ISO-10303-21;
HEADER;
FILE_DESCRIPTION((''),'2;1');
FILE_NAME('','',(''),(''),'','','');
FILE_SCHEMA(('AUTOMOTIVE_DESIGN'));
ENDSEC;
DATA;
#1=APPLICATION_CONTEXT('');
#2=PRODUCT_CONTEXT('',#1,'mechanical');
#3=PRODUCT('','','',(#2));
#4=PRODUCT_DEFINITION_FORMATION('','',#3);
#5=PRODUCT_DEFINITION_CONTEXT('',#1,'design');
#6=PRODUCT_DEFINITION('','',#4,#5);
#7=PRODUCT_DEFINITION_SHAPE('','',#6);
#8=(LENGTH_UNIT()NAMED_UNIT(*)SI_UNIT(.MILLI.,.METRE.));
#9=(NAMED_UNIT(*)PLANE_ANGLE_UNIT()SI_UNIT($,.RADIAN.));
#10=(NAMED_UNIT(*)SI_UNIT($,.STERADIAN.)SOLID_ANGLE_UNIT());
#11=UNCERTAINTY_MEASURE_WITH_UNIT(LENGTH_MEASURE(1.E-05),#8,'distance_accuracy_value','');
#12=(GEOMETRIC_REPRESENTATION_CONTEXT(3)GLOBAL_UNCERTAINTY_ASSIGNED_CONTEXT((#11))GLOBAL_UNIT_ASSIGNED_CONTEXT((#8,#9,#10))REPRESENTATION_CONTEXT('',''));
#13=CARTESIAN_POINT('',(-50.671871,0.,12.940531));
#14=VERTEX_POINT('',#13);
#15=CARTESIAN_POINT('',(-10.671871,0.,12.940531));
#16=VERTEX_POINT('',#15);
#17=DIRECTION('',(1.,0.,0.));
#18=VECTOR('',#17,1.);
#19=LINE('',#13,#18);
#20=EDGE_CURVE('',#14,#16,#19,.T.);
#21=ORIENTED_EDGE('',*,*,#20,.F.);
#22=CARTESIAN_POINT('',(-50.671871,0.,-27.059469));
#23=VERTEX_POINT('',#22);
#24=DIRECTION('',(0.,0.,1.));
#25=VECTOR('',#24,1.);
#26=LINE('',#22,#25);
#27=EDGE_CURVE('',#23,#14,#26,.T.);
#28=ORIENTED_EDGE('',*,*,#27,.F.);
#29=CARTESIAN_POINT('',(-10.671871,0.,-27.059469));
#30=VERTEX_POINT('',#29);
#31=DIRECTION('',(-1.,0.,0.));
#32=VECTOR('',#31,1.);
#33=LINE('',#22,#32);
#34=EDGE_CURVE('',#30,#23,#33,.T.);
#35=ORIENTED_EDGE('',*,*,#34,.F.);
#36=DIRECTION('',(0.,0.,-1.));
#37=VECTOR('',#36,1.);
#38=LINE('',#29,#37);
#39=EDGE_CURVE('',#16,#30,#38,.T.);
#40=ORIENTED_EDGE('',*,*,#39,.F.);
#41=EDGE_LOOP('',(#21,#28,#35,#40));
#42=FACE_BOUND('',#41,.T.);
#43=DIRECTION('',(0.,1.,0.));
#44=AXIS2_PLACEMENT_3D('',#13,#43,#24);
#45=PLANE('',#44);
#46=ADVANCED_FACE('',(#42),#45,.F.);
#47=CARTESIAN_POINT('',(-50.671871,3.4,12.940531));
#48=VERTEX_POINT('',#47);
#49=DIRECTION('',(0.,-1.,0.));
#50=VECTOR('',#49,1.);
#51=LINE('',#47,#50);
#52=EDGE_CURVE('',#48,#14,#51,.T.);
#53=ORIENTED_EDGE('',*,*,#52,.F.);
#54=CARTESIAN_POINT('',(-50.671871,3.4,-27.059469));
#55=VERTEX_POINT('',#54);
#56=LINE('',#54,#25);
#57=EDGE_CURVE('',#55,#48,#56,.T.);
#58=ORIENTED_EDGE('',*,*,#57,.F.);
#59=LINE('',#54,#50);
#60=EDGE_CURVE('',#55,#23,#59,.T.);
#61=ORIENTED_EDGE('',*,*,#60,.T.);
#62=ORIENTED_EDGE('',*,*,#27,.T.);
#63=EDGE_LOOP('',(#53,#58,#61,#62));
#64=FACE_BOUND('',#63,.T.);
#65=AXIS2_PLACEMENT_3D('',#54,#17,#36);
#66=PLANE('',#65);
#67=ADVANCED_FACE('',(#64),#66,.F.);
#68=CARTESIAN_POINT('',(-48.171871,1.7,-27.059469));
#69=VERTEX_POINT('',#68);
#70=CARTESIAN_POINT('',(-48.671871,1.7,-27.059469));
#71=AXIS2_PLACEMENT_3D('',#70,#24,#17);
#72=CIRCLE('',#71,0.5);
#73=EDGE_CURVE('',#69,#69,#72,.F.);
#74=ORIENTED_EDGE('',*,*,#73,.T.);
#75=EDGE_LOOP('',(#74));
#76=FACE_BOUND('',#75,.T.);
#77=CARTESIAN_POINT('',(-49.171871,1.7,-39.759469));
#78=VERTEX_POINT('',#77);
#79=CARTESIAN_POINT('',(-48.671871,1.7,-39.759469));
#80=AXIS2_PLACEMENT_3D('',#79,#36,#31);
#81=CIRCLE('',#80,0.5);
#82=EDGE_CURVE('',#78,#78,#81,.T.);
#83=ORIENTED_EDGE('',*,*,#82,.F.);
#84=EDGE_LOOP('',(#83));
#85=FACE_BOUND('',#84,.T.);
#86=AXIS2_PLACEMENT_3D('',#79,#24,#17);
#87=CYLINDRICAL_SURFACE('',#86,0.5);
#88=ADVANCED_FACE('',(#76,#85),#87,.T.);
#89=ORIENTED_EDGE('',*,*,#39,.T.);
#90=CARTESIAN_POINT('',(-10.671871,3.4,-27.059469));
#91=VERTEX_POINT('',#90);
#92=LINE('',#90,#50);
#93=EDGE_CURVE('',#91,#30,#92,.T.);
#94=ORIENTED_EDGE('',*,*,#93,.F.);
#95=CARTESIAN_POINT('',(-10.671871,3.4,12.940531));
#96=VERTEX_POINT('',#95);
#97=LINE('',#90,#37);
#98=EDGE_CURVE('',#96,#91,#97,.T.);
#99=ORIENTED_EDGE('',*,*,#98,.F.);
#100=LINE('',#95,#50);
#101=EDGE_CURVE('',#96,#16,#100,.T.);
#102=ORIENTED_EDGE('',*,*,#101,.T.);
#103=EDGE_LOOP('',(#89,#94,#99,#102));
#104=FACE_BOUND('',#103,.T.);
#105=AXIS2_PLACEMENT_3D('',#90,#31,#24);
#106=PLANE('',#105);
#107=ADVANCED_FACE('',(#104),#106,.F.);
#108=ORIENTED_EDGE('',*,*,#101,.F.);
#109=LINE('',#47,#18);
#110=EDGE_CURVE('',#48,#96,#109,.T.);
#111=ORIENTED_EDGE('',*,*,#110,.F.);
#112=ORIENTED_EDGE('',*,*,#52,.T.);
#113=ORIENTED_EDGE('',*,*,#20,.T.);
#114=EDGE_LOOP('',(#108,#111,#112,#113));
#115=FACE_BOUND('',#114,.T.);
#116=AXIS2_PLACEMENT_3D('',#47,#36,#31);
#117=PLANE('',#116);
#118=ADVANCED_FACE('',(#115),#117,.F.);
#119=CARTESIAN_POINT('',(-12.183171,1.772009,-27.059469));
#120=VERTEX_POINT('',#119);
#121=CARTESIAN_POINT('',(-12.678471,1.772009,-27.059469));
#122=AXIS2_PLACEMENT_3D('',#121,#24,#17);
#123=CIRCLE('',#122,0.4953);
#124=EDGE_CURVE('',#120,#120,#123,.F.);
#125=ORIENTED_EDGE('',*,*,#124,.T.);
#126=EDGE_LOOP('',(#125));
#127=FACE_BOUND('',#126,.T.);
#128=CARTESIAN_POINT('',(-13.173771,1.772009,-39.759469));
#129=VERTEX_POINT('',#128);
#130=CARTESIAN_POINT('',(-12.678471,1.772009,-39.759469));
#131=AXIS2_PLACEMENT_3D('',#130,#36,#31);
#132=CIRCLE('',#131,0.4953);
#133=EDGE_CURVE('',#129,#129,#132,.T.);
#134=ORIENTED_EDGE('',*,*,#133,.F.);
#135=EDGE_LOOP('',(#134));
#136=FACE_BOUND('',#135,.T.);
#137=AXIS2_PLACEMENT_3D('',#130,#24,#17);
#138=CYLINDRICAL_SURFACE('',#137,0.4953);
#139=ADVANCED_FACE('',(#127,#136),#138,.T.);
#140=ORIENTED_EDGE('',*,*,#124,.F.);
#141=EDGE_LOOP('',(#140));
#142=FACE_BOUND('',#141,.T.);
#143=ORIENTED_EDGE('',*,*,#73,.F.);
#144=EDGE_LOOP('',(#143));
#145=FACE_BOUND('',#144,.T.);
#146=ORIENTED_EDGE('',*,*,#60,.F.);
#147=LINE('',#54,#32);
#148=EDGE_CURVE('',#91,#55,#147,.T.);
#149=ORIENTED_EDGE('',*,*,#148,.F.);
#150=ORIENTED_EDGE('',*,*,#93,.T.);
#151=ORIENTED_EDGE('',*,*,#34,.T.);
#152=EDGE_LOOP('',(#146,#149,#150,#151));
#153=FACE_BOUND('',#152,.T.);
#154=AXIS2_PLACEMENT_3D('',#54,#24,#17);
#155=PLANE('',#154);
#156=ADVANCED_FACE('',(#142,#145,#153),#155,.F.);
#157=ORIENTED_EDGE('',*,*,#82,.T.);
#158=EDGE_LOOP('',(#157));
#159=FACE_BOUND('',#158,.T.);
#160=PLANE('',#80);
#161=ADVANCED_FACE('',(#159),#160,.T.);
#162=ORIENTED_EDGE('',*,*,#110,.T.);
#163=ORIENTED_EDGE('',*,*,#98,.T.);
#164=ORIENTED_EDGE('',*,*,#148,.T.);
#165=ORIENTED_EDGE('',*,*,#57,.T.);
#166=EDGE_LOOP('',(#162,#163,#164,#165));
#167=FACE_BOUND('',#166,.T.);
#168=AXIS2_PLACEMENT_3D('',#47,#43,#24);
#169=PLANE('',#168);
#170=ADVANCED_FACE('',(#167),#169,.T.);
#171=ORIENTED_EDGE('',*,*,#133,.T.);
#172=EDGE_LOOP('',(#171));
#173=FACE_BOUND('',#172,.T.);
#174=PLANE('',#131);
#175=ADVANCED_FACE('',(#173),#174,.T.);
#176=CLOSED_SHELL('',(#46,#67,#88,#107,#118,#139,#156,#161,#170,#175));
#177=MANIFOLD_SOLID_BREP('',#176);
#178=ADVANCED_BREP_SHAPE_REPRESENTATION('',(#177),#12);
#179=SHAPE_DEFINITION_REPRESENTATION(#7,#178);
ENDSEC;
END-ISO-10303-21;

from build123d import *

# Parameters (mm, degrees)
SKETCH1_W           = 40
SKETCH1_H           = 40
BOSS_EXTRUDE1_DEPTH = 3.4
SKETCH2_R           = 0.5
BOSS_EXTRUDE2_DEPTH = 12.7
SKETCH3_R           = 0.4953
BOSS_EXTRUDE3_DEPTH = 12.7


with BuildPart() as part:
    # Sketch1 → Boss-Extrude1 (new body)
    with BuildSketch(Plane(origin=(0, 0, 0), x_dir=(1, 0, 0), z_dir=(0, 1, 0))):
        with Locations((-30.671871438, 7.059468761)):
            Rectangle(SKETCH1_W, SKETCH1_H)
    extrude(amount=BOSS_EXTRUDE1_DEPTH)

    # Sketch2 → Boss-Extrude2 (add)
    with BuildSketch(Plane(origin=(0, 0, -27.059468761), x_dir=(-1, 0, 0), z_dir=(0, 0, -1))):
        with Locations((48.671871438, 1.7)):
            Circle(SKETCH2_R)
    extrude(amount=BOSS_EXTRUDE2_DEPTH)

    # Sketch3 → Boss-Extrude3 (add)
    with BuildSketch(Plane(origin=(0, 0, -27.059468761), x_dir=(-1, 0, 0), z_dir=(0, 0, -1))):
        with Locations((12.678471438, 1.772009117)):
            Circle(SKETCH3_R)
    extrude(amount=BOSS_EXTRUDE3_DEPTH)


solid = part.part
